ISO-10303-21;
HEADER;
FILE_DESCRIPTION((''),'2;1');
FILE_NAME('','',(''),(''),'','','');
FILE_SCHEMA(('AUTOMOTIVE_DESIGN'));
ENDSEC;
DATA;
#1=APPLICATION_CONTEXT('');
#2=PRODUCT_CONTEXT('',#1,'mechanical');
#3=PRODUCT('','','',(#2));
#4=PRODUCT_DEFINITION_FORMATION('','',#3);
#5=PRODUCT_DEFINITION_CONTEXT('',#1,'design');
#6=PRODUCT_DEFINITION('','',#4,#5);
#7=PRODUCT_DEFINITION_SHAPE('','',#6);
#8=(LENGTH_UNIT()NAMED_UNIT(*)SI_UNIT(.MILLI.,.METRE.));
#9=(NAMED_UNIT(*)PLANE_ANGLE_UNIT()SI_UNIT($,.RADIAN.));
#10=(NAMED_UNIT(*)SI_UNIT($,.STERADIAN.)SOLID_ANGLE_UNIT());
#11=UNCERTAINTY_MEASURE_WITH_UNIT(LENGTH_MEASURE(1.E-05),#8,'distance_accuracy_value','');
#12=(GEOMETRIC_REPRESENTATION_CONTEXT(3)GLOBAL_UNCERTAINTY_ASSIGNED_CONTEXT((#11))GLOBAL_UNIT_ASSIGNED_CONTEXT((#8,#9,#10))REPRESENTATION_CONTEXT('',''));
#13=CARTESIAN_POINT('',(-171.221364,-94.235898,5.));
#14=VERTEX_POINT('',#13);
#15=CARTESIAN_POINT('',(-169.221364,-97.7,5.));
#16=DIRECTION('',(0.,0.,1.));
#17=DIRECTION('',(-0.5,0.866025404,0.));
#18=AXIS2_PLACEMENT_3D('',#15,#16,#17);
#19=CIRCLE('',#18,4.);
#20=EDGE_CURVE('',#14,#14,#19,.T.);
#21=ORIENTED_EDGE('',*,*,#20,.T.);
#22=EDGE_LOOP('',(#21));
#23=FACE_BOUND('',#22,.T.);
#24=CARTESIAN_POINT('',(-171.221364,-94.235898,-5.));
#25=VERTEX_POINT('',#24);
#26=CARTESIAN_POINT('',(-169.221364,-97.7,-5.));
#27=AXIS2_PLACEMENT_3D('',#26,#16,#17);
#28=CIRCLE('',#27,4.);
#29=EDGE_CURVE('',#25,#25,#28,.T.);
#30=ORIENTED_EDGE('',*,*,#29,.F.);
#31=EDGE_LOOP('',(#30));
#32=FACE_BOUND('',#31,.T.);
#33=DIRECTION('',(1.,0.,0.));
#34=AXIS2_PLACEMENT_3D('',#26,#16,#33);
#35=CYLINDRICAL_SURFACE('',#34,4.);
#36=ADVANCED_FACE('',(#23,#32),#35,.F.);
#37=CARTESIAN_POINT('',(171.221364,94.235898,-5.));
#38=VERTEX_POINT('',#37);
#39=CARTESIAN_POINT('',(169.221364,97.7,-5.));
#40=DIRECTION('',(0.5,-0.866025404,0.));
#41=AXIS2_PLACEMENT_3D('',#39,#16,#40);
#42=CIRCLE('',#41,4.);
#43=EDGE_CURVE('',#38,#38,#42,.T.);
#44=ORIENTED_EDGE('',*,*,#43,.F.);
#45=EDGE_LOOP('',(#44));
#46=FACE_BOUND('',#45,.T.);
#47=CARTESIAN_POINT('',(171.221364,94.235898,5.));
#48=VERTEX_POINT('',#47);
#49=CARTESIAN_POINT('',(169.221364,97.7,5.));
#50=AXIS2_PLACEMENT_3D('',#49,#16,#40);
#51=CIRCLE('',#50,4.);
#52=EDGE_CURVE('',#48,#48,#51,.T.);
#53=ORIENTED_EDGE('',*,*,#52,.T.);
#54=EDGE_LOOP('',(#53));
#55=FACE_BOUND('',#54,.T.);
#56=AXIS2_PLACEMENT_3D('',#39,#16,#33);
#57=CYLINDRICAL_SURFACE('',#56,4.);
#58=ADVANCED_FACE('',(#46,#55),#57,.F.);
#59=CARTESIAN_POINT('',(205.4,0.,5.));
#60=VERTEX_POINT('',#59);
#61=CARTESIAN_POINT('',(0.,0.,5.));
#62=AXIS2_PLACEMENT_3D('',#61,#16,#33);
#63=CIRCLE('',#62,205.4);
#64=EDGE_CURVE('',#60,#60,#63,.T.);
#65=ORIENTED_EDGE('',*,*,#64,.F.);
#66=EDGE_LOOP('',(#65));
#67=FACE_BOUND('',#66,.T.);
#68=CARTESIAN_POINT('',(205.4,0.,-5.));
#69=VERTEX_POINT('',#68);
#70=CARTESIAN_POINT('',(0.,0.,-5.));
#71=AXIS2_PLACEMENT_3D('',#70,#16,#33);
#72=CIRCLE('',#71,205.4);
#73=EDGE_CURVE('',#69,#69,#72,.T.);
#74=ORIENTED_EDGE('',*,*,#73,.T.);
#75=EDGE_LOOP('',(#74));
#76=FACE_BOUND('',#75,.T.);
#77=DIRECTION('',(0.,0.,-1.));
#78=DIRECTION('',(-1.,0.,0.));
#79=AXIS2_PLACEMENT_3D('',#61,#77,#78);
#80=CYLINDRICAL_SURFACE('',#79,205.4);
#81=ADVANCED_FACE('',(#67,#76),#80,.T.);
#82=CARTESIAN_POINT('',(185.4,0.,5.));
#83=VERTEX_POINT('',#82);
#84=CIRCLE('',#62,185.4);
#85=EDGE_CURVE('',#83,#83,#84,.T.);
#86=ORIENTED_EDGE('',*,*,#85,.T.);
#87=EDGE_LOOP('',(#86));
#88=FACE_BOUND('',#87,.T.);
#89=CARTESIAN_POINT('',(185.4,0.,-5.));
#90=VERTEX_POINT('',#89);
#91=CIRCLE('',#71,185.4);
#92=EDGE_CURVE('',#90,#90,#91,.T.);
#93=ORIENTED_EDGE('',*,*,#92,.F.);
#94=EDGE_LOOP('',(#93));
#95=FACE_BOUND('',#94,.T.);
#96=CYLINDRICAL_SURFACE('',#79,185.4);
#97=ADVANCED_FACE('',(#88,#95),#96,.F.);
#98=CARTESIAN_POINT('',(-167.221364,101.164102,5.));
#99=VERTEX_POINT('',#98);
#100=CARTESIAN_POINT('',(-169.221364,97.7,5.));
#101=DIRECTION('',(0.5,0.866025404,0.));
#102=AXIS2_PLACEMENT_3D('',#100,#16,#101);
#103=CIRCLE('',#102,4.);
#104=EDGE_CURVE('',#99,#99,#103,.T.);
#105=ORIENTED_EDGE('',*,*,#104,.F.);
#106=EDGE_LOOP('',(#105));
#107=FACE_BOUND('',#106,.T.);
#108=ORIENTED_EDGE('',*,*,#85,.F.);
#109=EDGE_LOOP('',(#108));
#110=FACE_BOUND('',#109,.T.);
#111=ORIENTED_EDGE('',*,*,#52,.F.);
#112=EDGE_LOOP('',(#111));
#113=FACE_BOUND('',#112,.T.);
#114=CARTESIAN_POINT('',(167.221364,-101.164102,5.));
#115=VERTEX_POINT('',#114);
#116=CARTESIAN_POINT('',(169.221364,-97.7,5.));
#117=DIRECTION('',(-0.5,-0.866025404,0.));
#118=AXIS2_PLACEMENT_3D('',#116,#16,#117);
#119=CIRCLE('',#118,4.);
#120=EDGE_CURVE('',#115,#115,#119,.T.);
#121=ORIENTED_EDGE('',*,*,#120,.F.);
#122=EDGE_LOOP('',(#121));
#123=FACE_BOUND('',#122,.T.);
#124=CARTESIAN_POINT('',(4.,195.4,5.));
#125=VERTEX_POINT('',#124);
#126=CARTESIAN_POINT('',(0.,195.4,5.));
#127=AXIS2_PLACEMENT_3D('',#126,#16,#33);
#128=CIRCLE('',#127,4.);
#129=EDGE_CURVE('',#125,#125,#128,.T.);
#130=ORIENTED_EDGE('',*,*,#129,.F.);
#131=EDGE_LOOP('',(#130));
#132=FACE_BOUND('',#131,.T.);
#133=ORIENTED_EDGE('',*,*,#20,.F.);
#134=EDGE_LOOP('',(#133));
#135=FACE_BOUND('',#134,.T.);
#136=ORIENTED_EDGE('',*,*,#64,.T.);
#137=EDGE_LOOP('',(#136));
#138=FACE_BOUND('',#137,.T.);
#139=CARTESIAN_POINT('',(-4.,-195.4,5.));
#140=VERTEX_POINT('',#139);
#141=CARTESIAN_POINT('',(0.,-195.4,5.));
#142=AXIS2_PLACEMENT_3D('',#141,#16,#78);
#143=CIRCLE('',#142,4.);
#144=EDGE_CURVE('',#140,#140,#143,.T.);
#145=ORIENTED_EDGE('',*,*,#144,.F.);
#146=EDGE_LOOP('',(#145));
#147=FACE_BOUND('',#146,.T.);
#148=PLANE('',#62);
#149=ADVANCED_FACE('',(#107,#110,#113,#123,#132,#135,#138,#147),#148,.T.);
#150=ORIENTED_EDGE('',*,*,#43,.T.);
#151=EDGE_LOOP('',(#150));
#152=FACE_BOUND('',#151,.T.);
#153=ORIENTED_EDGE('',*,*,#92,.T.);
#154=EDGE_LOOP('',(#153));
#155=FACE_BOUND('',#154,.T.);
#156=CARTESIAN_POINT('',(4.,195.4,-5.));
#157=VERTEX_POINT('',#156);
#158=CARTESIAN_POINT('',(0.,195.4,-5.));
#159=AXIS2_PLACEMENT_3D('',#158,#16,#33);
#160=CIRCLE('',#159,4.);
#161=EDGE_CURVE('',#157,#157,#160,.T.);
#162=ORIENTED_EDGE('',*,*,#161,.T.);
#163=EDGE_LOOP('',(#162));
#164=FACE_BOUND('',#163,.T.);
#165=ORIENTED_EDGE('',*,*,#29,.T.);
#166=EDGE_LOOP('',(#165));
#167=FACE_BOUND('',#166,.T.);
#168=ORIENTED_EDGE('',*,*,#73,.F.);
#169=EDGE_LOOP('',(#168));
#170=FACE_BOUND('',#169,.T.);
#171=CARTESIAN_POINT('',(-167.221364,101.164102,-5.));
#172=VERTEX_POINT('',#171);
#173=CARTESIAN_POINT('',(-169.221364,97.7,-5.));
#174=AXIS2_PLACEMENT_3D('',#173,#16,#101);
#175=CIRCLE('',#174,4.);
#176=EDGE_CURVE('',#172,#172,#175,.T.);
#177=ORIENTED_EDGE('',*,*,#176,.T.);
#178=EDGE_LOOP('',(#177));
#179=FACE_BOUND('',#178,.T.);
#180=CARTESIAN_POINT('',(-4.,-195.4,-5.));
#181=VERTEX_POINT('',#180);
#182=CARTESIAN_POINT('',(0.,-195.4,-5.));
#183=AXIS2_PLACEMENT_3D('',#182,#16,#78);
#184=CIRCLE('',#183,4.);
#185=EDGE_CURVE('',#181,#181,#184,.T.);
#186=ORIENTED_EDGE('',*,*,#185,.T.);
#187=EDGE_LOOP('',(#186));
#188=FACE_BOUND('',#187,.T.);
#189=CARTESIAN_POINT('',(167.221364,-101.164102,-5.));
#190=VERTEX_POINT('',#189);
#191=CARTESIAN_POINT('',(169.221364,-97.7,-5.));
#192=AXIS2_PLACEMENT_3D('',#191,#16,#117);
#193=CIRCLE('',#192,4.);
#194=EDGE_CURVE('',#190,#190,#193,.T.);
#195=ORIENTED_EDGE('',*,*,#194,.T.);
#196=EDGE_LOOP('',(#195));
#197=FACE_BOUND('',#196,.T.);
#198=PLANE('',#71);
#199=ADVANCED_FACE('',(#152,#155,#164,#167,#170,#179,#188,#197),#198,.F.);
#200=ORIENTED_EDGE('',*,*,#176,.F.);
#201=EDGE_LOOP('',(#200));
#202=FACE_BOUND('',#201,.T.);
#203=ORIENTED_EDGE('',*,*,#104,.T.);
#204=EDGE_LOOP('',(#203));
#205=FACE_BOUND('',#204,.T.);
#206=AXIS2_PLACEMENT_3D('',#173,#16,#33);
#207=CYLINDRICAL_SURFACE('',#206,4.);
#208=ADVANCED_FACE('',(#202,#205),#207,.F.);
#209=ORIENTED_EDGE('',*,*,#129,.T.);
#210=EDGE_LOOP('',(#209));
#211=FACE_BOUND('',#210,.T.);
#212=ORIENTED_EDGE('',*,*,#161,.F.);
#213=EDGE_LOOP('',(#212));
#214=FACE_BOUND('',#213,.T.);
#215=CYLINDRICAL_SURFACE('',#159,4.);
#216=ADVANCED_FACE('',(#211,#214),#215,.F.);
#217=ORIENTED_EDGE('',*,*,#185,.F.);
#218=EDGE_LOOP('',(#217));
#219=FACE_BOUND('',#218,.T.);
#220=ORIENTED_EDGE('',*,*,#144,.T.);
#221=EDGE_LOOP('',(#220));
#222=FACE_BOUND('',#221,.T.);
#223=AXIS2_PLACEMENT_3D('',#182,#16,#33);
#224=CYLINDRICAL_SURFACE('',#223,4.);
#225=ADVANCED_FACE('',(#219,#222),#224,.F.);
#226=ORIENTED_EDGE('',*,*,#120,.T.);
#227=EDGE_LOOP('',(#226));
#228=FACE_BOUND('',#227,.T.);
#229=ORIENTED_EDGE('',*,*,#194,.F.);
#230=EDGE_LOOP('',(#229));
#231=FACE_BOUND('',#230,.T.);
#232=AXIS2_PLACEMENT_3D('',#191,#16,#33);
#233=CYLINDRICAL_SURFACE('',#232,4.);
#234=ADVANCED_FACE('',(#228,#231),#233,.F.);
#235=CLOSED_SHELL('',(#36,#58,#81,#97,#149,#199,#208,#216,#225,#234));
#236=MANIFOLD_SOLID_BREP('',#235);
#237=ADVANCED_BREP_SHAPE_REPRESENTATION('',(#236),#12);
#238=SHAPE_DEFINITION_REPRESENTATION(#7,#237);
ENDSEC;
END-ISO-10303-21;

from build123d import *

# Parameters (mm, degrees)
SKETCH1_R          = 205.4
SKETCH1_R_2        = 185.4
BODY_DEPTH         = 5
SKETCH2_R          = 4
CUT_EXTRUDE1_DEPTH = 11
HOLES_COUNT        = 6


with BuildPart() as part:
    # Sketch1 → Body (new body, symmetric)
    with BuildSketch(Plane.XY):
        Circle(SKETCH1_R)
        Circle(SKETCH1_R_2, mode=Mode.SUBTRACT)
    extrude(amount=BODY_DEPTH, both=True)

    # Sketch2 → Cut-Extrude1 (cut, through all)
    with BuildSketch(Plane.XY.offset(5)):
        with Locations((0, 195.4)):
            Circle(SKETCH2_R)
    cut_extrude1 = extrude(amount=-CUT_EXTRUDE1_DEPTH, mode=Mode.SUBTRACT)

    # Holes: Cut-Extrude1 ×6 about axis
    holes_axis = Axis((0, 0, 0), (0, 0, 1))
    for i in range(1, HOLES_COUNT):
        add(cut_extrude1.rotate(holes_axis, i * 360 / HOLES_COUNT), mode=Mode.SUBTRACT)


solid = part.part
